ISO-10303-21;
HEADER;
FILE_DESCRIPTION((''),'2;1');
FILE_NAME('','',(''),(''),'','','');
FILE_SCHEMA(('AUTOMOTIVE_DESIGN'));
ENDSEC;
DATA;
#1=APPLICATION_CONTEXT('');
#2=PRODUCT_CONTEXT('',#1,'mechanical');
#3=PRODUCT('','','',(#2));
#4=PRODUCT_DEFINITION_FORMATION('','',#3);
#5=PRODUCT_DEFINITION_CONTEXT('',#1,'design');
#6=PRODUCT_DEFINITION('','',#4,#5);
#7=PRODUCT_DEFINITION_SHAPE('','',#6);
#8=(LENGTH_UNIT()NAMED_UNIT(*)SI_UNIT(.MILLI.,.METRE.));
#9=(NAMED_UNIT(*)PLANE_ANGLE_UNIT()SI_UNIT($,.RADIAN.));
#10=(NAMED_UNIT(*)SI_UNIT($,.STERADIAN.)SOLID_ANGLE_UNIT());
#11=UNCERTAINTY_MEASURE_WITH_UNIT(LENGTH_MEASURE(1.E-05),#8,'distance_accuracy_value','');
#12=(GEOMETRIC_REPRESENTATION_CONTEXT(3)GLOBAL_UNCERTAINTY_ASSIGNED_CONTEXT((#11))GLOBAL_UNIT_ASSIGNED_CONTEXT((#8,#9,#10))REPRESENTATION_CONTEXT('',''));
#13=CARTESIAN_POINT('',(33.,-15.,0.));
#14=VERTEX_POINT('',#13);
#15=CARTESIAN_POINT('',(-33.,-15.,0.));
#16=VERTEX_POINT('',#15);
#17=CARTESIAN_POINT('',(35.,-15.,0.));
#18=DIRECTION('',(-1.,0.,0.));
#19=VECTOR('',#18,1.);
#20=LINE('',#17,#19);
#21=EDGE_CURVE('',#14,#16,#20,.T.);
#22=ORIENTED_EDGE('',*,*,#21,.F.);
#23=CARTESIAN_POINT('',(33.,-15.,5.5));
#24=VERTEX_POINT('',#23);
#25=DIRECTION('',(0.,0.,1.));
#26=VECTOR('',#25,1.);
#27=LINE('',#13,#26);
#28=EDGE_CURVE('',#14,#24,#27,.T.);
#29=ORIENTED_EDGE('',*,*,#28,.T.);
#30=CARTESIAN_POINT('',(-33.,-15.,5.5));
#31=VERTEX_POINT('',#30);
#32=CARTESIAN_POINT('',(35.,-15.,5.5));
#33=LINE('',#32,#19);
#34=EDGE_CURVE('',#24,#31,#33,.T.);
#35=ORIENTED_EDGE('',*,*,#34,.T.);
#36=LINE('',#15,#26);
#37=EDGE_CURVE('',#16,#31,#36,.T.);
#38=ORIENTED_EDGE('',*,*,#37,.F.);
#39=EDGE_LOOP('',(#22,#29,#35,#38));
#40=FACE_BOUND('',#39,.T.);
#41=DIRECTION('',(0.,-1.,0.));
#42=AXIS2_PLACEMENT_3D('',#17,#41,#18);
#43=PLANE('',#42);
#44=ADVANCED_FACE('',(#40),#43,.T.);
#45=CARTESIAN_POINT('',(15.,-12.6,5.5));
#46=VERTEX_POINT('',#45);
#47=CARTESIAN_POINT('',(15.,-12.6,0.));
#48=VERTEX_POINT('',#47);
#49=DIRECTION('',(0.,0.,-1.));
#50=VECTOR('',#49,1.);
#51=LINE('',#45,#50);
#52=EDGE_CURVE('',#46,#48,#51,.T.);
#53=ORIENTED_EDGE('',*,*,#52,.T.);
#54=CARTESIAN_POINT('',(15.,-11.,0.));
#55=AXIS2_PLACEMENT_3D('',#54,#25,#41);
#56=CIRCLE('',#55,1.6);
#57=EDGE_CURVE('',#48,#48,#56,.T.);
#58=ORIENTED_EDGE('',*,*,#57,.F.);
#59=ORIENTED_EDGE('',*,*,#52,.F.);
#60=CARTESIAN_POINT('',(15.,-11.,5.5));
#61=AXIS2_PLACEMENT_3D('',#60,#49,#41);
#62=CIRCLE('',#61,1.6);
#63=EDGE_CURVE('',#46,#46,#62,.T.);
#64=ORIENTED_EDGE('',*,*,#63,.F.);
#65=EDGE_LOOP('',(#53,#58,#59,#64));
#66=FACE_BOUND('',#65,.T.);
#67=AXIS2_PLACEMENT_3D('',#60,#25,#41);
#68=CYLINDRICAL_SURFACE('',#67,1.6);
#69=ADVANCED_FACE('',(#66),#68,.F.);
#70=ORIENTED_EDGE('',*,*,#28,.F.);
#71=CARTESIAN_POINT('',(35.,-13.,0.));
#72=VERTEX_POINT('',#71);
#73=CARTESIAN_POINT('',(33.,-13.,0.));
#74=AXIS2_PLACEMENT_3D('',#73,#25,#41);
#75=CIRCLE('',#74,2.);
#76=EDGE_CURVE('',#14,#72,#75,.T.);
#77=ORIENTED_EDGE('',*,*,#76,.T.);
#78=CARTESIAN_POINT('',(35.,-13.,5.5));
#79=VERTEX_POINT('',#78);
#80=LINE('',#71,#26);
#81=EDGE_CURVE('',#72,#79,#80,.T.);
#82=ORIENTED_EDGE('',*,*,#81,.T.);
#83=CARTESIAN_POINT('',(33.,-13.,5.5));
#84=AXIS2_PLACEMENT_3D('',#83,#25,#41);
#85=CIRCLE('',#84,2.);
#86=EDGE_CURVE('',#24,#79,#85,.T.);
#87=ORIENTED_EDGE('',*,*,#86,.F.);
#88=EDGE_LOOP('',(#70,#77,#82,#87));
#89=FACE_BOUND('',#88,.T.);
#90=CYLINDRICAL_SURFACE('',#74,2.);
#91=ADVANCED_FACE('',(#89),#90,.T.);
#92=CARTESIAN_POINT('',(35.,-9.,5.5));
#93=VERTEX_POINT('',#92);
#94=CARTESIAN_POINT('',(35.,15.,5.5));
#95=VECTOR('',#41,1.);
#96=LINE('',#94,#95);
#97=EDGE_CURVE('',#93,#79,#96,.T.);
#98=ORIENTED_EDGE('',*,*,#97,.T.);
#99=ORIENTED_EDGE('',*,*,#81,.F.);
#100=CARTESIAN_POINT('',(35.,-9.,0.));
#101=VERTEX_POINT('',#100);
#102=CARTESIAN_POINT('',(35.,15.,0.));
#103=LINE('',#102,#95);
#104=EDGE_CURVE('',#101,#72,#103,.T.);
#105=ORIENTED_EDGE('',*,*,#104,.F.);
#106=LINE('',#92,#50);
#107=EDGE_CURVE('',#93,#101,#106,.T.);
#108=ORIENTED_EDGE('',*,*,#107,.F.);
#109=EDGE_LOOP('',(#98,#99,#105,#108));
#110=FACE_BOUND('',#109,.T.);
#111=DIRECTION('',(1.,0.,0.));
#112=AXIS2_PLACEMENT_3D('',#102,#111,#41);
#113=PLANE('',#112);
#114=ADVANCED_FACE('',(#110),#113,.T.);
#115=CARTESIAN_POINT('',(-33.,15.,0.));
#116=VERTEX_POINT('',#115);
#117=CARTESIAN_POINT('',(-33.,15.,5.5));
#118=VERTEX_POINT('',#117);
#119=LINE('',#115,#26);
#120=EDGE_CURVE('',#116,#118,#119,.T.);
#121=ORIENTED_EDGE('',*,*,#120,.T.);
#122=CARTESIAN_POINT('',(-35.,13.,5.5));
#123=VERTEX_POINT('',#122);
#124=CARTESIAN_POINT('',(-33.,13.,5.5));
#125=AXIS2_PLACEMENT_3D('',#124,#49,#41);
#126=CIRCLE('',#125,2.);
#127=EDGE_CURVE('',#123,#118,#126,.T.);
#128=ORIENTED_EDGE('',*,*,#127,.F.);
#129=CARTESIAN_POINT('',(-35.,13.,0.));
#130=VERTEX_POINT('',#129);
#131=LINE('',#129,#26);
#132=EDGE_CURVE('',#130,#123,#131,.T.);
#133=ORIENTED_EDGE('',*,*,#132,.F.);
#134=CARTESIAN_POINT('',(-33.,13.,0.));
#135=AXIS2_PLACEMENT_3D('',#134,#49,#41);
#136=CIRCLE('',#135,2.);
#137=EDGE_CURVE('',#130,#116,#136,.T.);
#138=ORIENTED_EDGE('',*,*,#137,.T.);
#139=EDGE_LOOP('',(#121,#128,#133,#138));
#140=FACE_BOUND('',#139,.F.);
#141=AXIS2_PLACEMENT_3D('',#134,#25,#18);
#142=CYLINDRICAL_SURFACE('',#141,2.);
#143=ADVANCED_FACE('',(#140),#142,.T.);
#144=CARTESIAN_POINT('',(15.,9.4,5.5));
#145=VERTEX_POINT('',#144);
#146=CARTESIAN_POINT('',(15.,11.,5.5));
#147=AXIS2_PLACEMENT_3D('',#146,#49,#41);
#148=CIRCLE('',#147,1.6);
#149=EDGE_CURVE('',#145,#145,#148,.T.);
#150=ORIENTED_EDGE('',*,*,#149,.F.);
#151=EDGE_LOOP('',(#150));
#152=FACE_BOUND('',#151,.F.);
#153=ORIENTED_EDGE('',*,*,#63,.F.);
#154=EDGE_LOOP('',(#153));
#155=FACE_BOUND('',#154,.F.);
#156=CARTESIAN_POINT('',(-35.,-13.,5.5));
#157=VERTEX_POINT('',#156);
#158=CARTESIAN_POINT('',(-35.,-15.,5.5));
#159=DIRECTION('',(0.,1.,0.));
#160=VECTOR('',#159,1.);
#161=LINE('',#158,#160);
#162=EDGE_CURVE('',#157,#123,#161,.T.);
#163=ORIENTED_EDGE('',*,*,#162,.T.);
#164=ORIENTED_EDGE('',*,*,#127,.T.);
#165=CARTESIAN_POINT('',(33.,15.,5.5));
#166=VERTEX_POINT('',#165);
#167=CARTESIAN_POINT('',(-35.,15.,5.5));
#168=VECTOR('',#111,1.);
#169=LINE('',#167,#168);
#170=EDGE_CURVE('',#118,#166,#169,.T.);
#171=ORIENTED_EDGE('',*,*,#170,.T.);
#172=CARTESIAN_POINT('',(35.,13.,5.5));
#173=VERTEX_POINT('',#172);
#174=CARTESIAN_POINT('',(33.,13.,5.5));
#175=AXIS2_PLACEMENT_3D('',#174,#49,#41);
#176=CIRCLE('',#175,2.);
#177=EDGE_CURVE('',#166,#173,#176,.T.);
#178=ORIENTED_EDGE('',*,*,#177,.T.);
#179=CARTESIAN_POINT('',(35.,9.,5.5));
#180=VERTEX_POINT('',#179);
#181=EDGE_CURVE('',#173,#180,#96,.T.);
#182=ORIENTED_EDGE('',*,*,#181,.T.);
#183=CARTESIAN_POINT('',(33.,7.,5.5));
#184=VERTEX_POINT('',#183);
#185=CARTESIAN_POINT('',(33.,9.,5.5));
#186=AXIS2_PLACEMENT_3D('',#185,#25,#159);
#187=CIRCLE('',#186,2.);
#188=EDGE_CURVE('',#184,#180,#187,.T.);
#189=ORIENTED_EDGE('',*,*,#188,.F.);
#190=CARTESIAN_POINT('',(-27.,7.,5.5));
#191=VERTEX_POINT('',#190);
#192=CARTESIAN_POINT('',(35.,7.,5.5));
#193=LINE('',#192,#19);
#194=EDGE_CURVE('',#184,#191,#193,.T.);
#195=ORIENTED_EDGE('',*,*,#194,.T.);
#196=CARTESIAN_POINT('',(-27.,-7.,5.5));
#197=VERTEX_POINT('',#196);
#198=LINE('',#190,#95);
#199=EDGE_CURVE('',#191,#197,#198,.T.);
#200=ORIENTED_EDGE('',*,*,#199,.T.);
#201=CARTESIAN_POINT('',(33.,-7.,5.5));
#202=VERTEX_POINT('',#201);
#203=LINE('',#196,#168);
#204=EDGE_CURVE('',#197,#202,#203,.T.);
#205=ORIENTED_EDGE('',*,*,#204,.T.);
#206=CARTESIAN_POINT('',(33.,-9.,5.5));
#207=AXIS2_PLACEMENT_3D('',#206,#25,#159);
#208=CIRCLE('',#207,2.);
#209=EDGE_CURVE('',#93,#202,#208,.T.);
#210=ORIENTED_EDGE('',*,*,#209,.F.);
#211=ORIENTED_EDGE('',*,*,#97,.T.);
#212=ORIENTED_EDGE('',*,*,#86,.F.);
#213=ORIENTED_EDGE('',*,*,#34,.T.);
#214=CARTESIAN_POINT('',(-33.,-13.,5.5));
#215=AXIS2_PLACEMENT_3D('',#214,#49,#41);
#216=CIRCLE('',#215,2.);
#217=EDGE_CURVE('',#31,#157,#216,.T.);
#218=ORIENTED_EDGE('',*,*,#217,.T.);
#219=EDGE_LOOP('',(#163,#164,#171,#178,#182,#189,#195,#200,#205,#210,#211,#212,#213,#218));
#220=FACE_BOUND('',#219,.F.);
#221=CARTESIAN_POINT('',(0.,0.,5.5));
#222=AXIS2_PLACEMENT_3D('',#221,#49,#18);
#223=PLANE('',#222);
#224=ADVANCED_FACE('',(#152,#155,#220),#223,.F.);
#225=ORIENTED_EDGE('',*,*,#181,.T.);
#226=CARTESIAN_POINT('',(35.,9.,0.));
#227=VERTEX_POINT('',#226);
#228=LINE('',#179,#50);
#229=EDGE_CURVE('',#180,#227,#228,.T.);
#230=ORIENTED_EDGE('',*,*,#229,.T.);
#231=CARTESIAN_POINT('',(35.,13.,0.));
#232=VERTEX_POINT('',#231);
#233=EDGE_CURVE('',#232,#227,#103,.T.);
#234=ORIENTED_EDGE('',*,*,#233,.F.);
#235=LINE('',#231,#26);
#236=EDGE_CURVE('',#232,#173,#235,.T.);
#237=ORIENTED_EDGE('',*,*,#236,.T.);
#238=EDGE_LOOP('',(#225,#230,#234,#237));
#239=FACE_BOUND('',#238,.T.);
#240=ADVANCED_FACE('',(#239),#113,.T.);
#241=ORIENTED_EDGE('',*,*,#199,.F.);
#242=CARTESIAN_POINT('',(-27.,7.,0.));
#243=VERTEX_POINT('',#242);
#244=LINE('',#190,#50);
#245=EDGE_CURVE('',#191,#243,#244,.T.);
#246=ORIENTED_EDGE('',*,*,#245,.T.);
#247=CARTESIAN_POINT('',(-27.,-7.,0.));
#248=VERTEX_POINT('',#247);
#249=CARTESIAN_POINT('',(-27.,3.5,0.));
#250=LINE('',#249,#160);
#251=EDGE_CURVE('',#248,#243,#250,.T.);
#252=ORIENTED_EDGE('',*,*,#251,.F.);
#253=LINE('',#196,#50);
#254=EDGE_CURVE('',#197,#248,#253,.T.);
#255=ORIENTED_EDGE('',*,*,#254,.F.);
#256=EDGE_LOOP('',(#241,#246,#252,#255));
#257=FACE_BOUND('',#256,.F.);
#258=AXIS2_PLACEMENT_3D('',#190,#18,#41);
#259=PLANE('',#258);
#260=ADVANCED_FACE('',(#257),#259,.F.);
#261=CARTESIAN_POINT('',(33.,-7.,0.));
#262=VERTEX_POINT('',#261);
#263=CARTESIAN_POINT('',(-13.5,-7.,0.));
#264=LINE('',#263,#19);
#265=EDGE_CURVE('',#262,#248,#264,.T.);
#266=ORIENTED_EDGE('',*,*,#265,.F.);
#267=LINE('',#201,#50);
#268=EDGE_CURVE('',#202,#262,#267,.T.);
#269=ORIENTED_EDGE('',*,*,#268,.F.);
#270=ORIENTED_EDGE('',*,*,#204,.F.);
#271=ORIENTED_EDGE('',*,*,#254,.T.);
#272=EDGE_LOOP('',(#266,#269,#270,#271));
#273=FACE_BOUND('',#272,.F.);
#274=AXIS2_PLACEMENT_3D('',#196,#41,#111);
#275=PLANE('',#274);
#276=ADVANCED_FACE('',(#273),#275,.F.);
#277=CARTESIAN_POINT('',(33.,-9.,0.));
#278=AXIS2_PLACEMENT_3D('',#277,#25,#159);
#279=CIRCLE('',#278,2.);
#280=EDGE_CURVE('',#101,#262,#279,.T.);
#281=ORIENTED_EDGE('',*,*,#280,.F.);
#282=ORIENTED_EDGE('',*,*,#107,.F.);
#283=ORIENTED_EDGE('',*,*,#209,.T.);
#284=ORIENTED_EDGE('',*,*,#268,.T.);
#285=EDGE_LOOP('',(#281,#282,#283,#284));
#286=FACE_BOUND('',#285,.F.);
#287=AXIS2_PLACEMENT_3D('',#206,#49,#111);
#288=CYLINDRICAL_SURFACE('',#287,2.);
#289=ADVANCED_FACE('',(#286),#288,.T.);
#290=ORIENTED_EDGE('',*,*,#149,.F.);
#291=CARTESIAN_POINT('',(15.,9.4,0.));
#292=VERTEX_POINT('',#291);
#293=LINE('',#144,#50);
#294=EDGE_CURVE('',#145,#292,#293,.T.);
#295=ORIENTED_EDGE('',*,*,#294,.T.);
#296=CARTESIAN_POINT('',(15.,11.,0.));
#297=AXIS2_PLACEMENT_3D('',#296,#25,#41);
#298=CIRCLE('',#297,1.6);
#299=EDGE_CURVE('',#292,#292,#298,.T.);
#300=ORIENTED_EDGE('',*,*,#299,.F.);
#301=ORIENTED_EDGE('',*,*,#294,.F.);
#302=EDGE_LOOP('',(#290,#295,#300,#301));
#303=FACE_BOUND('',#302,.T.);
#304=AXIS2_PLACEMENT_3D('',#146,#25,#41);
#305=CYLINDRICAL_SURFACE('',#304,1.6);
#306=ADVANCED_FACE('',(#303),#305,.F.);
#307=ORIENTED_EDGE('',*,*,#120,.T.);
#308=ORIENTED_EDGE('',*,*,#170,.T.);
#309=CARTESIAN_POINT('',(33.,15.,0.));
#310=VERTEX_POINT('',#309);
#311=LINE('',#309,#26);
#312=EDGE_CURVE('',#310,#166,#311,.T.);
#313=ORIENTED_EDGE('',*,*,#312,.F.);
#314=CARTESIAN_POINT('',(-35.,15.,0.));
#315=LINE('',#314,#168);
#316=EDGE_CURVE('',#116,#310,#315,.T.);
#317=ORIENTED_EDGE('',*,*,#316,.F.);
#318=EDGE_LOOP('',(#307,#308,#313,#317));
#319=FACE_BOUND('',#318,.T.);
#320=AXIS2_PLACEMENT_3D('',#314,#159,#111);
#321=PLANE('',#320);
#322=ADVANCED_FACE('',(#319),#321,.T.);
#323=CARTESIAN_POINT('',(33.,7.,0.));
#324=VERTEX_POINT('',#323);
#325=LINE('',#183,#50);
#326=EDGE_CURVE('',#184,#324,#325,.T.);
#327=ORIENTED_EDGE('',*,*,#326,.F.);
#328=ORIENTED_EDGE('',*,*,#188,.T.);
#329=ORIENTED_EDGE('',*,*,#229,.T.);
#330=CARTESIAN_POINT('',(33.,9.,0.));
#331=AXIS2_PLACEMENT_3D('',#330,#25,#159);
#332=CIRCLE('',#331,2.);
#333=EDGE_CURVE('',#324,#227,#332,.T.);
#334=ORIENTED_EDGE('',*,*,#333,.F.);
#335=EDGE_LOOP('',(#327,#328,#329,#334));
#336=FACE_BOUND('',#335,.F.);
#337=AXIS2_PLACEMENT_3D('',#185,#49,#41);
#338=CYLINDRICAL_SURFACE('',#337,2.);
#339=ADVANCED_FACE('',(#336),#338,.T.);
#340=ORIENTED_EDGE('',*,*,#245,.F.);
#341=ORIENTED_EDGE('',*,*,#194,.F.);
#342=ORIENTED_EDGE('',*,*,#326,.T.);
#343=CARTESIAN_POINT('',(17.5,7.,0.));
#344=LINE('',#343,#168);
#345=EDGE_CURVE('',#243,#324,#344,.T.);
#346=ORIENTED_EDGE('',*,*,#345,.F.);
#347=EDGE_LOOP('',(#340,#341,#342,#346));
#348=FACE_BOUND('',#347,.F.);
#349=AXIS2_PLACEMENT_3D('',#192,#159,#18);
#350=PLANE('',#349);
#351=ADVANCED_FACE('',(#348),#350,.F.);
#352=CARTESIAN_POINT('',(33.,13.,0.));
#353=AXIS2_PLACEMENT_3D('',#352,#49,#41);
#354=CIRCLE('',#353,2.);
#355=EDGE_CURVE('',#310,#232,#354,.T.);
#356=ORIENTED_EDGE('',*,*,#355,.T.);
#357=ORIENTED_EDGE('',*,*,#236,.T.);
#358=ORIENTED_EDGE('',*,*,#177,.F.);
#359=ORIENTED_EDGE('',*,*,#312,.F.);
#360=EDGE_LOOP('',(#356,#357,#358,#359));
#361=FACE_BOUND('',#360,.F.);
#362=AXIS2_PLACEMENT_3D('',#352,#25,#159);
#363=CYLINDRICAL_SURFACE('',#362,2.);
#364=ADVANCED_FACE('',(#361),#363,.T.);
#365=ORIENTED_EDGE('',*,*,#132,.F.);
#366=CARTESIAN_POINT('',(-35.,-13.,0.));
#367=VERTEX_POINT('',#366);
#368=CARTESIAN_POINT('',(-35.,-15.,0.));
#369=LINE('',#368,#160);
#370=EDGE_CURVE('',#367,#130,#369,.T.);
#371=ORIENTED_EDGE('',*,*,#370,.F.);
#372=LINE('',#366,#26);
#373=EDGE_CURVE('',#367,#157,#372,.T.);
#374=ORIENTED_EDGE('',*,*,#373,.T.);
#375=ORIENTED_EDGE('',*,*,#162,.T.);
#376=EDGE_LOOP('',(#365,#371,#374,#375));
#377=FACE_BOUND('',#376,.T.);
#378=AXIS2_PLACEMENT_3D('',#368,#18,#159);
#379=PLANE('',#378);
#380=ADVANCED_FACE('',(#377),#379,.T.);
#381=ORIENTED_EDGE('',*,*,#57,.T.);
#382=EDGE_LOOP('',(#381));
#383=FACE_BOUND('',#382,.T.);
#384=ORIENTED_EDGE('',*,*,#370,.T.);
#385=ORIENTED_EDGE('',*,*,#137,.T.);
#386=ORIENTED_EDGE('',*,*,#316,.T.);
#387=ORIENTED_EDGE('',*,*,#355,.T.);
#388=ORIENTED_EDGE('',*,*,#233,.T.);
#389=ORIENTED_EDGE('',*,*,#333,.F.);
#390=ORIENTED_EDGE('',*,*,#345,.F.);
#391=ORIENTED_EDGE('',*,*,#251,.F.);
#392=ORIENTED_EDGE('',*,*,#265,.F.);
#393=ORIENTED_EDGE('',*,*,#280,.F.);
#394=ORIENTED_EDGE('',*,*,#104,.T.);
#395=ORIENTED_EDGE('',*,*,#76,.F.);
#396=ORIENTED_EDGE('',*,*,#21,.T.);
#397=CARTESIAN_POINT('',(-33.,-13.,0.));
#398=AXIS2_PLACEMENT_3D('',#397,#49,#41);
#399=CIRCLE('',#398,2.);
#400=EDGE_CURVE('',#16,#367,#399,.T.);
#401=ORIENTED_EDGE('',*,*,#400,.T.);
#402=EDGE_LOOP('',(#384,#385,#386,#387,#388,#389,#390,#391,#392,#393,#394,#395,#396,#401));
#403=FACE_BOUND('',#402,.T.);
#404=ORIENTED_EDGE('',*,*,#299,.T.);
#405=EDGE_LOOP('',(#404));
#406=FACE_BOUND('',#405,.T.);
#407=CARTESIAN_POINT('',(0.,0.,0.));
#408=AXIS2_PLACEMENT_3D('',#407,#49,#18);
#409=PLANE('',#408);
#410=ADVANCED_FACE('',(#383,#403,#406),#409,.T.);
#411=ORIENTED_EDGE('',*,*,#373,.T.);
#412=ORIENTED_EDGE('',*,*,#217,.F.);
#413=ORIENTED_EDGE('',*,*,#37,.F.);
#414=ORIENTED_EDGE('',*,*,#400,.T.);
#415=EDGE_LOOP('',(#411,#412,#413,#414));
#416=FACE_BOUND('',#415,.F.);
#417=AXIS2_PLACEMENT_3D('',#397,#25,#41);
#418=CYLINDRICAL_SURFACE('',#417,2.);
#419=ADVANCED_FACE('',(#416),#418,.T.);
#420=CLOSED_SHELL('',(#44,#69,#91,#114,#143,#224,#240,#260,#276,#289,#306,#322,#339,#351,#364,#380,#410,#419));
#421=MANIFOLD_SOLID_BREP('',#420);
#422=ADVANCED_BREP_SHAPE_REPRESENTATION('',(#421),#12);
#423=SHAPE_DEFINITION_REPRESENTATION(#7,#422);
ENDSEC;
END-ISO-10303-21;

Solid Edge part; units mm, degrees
sketch "Sketch1" plane through (0, 0, 0) normal (0, 0, 1) x (1, 0, 0)
  line L0 (35, -15) -> (-35, -15)
  line L1 (-35, -15) -> (-35, 15)
  line L2 (-35, 15) -> (35, 15)
  line L3 (35, 15) -> (35, -15)
  dimension "D1" = 70
  dimension "D2" = 70
  dimension "D3" = 30
extrude "Protrusion1" add sketch "Sketch1" along normal blind 5.5
sketch "Sketch2" plane through (0, 0, 5.5) normal (0, 0, 1) x (1, 0, 0)
  line L0 (35, 7) -> (-27, 7)
  line L1 (-27, 7) -> (-27, -7)
  line L2 (-27, -7) -> (35, -7)
  line L3 (35, -7) -> (35, 7)
  dimension "D1" = 14
  dimension "D2" = 8
extrude "Cutout1" cut sketch "Sketch2" against normal through all
hole "Hole_1" at (15, 11, 5.5) direction (0, 0, -1) diameter 3.2 end up to next
hole "Hole1" at (15, -11, 5.5) direction (0, 0, -1) diameter 3.2 end up to next
fillet "Round_1" radius 2 6 edges at (-35, -15, 2.75) (35, -15, 2.75) (35, -7, 2.75) (35, 7, 2.75) (35, 15, 2.75) (-35, 15, 2.75)
properties material "木材, アッシュ"
